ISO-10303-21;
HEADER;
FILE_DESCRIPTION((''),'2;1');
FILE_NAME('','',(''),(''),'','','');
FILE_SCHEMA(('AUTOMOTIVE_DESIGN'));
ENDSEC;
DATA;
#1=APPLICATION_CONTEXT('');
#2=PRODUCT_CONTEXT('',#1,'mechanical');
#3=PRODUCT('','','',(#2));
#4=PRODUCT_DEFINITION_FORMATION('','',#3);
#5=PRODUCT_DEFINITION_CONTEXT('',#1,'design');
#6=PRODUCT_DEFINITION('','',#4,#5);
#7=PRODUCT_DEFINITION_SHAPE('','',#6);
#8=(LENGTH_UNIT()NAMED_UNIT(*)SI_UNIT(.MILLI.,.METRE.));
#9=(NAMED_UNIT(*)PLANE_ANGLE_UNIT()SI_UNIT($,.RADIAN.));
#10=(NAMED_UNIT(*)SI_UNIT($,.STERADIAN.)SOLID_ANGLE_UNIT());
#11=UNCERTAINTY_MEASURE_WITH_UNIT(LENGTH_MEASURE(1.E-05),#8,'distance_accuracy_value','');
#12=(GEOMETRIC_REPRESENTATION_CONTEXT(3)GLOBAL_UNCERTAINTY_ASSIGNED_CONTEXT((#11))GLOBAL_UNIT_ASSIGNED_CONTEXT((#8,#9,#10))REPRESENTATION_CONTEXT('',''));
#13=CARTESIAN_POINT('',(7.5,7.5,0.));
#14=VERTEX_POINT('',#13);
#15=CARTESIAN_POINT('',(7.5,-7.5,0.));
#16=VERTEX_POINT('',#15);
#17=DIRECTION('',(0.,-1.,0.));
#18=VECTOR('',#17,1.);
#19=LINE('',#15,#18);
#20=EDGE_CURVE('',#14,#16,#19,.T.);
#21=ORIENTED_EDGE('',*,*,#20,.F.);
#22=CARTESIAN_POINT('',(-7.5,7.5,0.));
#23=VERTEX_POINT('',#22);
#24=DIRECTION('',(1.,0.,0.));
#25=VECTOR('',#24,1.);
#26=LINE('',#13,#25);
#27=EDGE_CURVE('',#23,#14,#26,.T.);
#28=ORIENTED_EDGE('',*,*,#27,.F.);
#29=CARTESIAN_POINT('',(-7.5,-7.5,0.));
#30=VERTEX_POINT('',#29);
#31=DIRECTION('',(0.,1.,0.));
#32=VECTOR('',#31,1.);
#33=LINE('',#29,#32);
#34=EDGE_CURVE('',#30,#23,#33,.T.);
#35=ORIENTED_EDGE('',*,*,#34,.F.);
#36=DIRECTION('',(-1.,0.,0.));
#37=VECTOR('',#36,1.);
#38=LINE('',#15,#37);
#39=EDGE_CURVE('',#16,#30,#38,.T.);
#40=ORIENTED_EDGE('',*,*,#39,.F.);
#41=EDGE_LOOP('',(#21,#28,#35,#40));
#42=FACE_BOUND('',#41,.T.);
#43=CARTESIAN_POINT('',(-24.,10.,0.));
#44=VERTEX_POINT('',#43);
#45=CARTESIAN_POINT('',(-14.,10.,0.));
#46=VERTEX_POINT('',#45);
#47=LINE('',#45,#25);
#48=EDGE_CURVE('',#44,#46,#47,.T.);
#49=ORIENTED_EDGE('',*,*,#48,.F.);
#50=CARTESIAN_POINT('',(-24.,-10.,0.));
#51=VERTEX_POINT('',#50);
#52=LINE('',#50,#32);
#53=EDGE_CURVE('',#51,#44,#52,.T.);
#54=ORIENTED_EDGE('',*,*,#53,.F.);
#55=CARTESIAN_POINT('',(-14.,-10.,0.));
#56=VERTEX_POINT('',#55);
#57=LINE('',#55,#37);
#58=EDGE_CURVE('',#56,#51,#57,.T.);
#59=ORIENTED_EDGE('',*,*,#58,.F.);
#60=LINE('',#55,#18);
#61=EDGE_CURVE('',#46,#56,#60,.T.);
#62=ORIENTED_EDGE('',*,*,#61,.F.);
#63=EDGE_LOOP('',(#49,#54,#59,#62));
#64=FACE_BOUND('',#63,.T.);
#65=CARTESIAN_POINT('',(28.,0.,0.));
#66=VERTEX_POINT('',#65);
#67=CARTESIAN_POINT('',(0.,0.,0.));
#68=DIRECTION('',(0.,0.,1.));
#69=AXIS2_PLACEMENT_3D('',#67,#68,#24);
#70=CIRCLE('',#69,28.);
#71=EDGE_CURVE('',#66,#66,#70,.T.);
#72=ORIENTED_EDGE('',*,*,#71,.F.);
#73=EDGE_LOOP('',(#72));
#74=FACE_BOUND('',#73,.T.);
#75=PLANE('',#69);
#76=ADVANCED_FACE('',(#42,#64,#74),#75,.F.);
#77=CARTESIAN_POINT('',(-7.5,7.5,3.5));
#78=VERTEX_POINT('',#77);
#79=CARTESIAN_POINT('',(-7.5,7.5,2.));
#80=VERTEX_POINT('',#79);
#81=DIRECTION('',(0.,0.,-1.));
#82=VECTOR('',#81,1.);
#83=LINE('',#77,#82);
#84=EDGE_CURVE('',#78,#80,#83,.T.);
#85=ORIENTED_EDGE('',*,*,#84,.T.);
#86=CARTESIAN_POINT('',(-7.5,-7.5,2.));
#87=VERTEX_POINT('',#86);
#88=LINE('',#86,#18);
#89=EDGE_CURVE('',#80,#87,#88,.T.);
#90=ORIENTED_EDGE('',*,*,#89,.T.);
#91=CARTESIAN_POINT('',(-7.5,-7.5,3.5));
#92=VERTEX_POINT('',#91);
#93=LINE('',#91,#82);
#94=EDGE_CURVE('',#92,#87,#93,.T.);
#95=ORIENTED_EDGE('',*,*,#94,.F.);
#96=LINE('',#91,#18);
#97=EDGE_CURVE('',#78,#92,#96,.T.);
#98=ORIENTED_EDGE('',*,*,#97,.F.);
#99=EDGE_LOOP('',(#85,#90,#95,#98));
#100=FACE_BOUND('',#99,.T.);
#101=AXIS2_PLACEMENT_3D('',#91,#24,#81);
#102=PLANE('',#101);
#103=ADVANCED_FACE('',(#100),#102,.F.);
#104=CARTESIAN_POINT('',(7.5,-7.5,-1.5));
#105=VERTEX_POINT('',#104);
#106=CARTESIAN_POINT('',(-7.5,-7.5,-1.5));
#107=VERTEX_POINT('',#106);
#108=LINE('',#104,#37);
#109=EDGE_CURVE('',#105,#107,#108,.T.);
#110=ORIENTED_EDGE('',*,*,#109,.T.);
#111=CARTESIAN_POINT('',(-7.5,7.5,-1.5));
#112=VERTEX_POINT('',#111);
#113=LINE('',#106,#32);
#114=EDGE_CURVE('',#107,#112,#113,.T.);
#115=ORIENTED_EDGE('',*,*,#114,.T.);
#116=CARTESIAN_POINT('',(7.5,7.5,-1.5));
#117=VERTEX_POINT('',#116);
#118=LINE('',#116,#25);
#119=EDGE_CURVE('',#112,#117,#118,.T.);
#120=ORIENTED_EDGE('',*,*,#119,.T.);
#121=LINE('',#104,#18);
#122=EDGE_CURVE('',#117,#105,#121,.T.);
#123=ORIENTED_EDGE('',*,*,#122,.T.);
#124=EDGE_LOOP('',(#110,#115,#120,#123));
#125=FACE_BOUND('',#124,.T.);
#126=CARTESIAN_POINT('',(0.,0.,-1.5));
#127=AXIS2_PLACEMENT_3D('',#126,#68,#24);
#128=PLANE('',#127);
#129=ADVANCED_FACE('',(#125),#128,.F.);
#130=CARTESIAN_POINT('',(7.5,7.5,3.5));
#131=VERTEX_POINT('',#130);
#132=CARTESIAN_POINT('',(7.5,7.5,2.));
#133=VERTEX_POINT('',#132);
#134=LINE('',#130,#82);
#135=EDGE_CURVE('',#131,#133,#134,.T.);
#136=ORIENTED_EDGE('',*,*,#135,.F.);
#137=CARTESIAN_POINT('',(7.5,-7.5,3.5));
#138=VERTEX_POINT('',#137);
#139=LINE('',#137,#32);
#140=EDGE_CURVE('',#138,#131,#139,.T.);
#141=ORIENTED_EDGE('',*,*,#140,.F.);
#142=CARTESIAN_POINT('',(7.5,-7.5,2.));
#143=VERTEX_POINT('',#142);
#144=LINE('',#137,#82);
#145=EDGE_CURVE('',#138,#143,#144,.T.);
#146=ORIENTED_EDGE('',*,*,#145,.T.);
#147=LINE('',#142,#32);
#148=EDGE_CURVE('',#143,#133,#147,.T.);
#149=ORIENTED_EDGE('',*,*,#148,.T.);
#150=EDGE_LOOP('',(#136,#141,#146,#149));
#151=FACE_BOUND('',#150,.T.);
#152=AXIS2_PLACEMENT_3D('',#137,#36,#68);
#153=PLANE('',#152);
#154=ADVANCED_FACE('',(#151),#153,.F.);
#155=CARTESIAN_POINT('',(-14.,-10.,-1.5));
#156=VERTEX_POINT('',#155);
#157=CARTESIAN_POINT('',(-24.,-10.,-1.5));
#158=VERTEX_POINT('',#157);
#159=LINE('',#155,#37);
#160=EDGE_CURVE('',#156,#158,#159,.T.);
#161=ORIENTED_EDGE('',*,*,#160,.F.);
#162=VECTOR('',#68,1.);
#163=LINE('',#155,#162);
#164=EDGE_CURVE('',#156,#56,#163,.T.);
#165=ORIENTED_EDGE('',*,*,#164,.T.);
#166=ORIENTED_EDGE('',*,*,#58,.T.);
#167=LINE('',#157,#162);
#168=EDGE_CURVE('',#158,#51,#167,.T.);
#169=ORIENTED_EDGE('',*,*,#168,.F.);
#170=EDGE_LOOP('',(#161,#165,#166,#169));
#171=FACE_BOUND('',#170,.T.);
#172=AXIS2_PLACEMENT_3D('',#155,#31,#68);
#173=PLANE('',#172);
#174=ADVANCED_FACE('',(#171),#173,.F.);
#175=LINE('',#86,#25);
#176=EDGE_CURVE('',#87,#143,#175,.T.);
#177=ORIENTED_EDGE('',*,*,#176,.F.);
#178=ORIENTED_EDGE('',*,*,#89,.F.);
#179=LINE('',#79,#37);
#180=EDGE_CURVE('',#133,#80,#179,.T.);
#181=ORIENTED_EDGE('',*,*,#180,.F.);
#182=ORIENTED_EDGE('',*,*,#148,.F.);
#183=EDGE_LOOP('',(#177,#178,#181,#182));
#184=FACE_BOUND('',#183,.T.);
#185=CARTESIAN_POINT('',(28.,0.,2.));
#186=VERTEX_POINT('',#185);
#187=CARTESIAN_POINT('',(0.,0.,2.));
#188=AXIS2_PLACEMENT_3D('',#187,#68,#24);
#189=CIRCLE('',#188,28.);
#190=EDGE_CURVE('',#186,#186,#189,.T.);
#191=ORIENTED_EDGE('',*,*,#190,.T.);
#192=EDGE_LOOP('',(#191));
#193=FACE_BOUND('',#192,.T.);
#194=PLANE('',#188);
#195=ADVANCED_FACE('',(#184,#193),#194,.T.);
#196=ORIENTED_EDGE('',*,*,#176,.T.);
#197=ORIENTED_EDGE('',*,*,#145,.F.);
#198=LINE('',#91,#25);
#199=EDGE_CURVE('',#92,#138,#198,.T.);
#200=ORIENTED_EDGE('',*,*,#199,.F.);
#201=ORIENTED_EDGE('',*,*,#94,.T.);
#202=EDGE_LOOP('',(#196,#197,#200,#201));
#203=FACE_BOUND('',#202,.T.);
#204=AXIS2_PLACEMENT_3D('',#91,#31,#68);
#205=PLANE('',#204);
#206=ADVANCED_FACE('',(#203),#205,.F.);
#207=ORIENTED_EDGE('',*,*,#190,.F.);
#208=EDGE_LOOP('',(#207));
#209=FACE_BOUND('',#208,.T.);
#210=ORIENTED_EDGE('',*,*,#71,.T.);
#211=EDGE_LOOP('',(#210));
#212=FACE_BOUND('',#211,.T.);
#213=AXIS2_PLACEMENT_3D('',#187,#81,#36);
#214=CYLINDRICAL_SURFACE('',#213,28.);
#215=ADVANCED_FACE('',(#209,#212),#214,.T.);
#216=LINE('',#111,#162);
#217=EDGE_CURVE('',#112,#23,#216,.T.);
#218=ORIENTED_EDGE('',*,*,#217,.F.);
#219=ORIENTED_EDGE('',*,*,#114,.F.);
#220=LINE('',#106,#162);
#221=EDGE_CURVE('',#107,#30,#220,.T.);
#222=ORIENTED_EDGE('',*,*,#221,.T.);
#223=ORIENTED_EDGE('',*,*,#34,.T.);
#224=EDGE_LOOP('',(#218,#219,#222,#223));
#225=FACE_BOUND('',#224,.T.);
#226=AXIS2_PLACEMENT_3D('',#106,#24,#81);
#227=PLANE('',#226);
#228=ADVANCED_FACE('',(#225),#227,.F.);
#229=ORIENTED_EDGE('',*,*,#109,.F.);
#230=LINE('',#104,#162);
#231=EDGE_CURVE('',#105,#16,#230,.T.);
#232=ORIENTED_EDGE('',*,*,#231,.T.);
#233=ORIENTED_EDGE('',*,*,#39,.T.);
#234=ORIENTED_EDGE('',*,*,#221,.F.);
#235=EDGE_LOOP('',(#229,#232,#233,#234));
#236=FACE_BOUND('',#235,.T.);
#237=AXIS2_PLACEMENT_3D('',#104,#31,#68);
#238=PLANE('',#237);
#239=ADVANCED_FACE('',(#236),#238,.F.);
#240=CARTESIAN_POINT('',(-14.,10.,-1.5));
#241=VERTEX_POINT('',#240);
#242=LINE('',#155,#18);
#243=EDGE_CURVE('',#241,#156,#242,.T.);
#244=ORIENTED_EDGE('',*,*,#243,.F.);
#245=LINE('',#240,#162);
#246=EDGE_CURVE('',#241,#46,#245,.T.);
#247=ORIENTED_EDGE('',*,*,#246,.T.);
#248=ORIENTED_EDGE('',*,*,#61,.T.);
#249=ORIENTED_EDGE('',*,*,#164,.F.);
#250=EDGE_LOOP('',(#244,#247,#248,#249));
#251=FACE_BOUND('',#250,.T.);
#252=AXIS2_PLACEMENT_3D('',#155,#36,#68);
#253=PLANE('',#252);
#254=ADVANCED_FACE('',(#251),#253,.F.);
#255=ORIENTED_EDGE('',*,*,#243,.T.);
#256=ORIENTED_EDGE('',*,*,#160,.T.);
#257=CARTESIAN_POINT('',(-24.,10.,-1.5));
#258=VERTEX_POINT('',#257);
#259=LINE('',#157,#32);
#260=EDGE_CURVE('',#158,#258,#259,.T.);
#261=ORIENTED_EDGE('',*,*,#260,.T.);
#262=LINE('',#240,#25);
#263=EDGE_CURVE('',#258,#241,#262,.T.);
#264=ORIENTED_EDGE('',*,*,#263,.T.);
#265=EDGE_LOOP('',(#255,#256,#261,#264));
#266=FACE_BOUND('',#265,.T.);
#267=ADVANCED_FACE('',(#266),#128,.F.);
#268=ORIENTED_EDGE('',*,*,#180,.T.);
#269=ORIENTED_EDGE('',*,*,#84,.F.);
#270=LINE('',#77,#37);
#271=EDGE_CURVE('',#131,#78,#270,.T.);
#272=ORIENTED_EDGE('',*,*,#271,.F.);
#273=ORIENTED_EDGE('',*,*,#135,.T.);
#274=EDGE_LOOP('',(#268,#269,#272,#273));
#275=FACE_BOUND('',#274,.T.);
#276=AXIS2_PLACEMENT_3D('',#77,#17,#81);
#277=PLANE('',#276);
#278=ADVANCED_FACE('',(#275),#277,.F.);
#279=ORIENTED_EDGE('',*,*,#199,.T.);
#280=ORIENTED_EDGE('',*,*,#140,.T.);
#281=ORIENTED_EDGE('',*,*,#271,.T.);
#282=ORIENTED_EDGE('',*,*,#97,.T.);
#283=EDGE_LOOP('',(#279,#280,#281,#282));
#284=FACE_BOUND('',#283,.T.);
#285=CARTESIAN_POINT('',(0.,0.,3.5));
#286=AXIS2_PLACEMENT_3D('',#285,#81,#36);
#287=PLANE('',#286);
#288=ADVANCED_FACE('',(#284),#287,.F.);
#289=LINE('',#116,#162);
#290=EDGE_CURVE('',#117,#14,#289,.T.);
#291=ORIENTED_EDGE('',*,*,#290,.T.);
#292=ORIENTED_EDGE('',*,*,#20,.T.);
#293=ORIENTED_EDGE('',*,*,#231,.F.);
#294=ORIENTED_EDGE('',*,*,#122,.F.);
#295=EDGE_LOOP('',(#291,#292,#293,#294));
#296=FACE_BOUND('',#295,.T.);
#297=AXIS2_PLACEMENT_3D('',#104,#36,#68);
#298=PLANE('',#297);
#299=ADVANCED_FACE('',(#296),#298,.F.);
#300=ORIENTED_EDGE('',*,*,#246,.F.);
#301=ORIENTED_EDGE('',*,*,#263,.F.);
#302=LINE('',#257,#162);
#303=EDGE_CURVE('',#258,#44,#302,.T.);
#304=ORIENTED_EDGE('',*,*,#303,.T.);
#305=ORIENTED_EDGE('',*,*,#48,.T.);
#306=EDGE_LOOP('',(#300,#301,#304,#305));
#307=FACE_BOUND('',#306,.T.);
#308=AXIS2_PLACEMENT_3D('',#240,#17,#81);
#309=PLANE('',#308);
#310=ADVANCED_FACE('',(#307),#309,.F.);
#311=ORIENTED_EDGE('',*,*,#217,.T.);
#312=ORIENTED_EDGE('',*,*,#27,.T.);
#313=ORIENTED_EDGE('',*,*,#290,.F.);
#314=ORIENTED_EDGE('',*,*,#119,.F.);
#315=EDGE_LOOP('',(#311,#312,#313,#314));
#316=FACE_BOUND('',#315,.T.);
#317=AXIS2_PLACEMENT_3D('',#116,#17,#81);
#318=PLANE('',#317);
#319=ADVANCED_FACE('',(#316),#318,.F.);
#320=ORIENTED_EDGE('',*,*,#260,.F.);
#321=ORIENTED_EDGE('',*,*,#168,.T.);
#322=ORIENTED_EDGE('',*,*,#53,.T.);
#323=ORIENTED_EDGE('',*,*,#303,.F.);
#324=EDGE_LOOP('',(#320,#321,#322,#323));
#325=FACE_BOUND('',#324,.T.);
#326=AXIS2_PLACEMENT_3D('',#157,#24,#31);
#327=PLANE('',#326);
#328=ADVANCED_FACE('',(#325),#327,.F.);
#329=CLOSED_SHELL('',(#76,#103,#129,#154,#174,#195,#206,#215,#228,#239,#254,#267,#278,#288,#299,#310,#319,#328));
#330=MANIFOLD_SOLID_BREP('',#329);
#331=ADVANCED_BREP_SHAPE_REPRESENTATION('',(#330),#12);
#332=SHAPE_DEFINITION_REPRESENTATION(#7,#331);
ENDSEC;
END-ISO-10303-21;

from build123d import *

# Parameters (mm, degrees)
SKETCH_1_R      = 28
EXTRUDE_1_DEPTH = 2
SKETCH_2_W      = 15
SKETCH_2_H      = 15
EXTRUDE_2_DEPTH = 1.5
SKETCH_4_W      = 10
SKETCH_4_H      = 20
EXTRUDE_3_DEPTH = 1.5
SKETCH_5_W      = 15
SKETCH_5_H      = 15
EXTRUDE_4_DEPTH = 1.5


with BuildPart() as part:
    # 草图1 → 凸台-拉伸1 (new body)
    with BuildSketch(Plane.XY):
        Circle(SKETCH_1_R)
    extrude(amount=EXTRUDE_1_DEPTH)

    # 草图2 → 凸台-拉伸2 (add)
    with BuildSketch(Plane.XY.offset(2)):
        Rectangle(SKETCH_2_W, SKETCH_2_H)
    extrude(amount=EXTRUDE_2_DEPTH)

    # 草图4 → 凸台-拉伸3 (add)
    with BuildSketch(Plane(origin=(0, 0, 0), x_dir=(-1, 0, 0), z_dir=(0, 0, -1))):
        with Locations((19, 0)):
            Rectangle(SKETCH_4_W, SKETCH_4_H)
    extrude(amount=EXTRUDE_3_DEPTH)

    # 草图5 → 凸台-拉伸4 (add)
    with BuildSketch(Plane(origin=(0, 0, 0), x_dir=(-1, 0, 0), z_dir=(0, 0, -1))):
        Rectangle(SKETCH_5_W, SKETCH_5_H)
    extrude(amount=EXTRUDE_4_DEPTH)


solid = part.part
